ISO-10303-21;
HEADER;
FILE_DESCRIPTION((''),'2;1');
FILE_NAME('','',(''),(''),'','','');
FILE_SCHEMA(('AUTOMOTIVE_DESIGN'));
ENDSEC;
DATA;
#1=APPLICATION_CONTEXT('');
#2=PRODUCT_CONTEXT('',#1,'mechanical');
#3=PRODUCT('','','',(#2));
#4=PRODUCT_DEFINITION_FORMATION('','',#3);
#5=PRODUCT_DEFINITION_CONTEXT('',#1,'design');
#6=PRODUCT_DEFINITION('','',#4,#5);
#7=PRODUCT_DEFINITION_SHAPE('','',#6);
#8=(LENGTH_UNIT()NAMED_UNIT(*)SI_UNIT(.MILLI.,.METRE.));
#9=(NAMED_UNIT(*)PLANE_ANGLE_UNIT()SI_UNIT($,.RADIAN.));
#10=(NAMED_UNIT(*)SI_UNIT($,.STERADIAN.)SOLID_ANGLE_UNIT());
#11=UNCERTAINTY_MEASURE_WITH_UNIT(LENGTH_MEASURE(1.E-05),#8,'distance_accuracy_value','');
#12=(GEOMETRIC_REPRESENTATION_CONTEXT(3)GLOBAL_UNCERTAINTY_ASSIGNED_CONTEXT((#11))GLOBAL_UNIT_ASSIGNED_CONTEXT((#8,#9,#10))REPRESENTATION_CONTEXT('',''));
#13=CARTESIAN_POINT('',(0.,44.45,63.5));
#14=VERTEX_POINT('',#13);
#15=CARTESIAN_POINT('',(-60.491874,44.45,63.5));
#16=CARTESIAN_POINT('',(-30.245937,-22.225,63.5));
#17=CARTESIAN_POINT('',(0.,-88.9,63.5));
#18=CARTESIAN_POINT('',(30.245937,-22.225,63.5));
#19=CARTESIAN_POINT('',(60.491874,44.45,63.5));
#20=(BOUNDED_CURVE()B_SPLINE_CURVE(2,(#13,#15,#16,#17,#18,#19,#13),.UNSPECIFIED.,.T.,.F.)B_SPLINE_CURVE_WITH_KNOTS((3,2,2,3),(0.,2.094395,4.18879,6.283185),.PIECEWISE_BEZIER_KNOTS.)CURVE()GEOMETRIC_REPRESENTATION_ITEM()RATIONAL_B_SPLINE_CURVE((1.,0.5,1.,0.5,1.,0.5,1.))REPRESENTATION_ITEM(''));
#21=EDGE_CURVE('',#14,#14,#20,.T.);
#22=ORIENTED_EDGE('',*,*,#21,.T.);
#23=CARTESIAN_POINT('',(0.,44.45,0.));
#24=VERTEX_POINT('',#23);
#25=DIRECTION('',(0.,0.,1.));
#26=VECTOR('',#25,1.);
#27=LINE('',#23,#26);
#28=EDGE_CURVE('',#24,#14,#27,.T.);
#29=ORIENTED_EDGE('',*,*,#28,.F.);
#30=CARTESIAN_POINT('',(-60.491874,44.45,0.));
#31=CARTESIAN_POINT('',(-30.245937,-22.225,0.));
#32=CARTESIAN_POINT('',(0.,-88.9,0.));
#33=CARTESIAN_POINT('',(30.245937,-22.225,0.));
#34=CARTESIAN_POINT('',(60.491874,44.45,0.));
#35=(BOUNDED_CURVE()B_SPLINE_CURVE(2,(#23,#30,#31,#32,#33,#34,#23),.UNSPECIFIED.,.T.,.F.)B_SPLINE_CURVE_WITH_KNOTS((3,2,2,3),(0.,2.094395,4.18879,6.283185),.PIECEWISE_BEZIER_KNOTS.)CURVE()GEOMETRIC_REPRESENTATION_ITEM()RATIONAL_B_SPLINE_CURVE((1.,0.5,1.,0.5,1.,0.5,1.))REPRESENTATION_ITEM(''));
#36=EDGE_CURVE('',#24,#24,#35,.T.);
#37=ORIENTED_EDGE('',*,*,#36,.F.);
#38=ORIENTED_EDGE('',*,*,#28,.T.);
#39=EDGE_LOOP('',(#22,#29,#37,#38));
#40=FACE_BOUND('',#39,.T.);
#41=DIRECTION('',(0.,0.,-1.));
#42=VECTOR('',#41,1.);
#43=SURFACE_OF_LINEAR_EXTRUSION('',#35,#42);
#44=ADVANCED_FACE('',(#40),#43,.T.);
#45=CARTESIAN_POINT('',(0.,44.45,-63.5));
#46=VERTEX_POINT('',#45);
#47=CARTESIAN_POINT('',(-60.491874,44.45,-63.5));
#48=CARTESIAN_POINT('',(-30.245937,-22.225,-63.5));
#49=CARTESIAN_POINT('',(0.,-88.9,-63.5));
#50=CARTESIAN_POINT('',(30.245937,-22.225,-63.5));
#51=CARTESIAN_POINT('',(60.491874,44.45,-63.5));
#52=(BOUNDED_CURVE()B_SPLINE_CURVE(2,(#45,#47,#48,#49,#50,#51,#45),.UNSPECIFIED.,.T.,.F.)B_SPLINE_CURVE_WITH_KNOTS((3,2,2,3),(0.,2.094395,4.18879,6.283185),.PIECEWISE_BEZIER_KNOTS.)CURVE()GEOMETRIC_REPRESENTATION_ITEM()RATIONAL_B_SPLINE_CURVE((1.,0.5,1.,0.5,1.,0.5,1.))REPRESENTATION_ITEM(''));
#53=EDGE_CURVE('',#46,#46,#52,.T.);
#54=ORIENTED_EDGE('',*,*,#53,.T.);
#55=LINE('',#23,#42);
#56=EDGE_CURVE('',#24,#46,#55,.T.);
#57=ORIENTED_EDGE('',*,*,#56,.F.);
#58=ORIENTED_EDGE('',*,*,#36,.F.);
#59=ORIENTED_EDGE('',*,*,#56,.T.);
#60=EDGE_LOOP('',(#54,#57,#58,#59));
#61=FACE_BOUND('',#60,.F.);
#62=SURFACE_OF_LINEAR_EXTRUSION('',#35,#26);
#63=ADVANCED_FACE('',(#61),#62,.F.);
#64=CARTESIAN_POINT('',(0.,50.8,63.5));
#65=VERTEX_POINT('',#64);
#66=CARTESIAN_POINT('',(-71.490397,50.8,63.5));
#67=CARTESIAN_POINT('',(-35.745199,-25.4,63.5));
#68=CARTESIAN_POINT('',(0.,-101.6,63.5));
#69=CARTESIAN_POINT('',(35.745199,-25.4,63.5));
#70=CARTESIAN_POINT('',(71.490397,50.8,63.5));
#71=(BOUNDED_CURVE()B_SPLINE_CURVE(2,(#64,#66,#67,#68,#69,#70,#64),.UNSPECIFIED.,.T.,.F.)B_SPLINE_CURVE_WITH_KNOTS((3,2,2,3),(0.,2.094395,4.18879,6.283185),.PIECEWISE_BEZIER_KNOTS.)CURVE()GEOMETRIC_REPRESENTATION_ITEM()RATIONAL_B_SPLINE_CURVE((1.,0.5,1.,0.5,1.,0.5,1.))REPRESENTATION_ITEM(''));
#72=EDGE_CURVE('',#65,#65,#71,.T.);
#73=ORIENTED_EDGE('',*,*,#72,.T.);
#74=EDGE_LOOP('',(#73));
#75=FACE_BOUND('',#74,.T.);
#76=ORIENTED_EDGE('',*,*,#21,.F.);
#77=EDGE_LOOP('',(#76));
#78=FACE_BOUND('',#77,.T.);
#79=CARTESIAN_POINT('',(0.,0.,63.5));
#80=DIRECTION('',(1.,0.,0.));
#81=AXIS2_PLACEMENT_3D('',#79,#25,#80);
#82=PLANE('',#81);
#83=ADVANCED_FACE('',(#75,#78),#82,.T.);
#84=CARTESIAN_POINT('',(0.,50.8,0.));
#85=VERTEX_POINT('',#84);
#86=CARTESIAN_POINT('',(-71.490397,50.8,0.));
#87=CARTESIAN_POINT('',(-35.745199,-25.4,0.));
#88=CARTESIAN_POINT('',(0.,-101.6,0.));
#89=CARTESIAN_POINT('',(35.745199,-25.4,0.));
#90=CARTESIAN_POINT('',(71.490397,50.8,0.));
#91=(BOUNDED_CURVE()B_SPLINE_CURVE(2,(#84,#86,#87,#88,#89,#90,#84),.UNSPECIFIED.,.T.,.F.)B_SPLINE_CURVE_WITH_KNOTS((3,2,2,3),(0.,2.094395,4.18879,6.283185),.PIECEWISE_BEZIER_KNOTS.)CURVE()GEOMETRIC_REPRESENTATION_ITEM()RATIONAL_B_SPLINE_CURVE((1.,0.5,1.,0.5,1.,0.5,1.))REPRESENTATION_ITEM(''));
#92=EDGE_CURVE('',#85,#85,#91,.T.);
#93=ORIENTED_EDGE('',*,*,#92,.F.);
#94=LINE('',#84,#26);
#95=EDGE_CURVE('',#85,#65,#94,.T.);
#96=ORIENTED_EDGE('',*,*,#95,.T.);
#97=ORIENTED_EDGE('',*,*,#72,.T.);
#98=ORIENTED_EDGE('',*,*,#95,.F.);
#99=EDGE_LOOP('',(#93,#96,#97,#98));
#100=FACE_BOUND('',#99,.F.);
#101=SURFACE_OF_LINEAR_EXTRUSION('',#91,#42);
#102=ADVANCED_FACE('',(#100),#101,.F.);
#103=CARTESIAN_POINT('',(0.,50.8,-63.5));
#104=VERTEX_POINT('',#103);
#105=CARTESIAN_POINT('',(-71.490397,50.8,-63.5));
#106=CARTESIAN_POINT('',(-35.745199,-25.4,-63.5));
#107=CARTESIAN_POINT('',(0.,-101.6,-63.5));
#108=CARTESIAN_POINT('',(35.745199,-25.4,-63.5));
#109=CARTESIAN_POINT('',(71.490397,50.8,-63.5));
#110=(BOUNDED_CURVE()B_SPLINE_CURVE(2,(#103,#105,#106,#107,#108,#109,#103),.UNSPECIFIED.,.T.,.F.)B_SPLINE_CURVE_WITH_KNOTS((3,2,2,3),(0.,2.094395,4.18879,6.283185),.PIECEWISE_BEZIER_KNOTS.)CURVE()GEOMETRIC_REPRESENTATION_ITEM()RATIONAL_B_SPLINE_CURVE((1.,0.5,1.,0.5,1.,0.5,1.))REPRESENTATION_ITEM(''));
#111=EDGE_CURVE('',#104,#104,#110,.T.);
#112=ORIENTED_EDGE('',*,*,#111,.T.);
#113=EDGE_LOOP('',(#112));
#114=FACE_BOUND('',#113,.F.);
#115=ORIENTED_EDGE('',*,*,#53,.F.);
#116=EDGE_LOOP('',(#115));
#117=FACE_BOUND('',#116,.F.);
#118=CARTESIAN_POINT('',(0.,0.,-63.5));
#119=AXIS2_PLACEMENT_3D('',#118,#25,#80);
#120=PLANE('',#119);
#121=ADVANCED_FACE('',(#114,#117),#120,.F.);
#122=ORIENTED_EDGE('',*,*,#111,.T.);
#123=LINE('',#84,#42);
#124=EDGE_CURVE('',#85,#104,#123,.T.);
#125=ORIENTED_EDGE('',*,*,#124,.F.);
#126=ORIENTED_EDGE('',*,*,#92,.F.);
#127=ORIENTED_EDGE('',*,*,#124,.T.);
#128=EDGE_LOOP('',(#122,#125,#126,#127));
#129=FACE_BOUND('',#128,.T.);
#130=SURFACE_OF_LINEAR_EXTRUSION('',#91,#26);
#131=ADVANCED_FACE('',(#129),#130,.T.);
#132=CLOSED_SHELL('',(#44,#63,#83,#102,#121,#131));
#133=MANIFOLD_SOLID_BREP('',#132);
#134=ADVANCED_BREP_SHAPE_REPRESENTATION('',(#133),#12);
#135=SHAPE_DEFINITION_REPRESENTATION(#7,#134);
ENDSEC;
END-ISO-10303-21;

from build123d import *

# Parameters (mm, degrees)
F1_DEPTH      = 63.5
F1_DEPTH_BACK = 63.5


with BuildPart() as f1:
    # F0 (on Top) → F1 (new body, two sides)
    with BuildSketch(Plane.XY) as f1_sk:
        with BuildLine():
            add(Edge.make_bspline(
                [(0, 50.8), (-71.490397, 50.8), (-35.745199, -25.4), (0, -101.6), (35.745199, -25.4), (71.490397, 50.8), (0, 50.8)],
                knots=[0, 0, 0, 2.094395, 2.094395, 4.18879, 4.18879, 6.283185, 6.283185, 6.283185], degree=2, weights=[1, 0.5, 1, 0.5, 1, 0.5, 1]))
        make_face()
        with BuildLine():
            add(Edge.make_bspline(
                [(0, 44.45), (-60.491874, 44.45), (-30.245937, -22.225), (0, -88.9), (30.245937, -22.225), (60.491874, 44.45), (0, 44.45)],
                knots=[0, 0, 0, 2.094395, 2.094395, 4.18879, 4.18879, 6.283185, 6.283185, 6.283185], degree=2, weights=[1, 0.5, 1, 0.5, 1, 0.5, 1]))
        make_face(mode=Mode.SUBTRACT)
    extrude(amount=F1_DEPTH)
    extrude(f1_sk.sketch, amount=-F1_DEPTH_BACK)


solid = f1.part
